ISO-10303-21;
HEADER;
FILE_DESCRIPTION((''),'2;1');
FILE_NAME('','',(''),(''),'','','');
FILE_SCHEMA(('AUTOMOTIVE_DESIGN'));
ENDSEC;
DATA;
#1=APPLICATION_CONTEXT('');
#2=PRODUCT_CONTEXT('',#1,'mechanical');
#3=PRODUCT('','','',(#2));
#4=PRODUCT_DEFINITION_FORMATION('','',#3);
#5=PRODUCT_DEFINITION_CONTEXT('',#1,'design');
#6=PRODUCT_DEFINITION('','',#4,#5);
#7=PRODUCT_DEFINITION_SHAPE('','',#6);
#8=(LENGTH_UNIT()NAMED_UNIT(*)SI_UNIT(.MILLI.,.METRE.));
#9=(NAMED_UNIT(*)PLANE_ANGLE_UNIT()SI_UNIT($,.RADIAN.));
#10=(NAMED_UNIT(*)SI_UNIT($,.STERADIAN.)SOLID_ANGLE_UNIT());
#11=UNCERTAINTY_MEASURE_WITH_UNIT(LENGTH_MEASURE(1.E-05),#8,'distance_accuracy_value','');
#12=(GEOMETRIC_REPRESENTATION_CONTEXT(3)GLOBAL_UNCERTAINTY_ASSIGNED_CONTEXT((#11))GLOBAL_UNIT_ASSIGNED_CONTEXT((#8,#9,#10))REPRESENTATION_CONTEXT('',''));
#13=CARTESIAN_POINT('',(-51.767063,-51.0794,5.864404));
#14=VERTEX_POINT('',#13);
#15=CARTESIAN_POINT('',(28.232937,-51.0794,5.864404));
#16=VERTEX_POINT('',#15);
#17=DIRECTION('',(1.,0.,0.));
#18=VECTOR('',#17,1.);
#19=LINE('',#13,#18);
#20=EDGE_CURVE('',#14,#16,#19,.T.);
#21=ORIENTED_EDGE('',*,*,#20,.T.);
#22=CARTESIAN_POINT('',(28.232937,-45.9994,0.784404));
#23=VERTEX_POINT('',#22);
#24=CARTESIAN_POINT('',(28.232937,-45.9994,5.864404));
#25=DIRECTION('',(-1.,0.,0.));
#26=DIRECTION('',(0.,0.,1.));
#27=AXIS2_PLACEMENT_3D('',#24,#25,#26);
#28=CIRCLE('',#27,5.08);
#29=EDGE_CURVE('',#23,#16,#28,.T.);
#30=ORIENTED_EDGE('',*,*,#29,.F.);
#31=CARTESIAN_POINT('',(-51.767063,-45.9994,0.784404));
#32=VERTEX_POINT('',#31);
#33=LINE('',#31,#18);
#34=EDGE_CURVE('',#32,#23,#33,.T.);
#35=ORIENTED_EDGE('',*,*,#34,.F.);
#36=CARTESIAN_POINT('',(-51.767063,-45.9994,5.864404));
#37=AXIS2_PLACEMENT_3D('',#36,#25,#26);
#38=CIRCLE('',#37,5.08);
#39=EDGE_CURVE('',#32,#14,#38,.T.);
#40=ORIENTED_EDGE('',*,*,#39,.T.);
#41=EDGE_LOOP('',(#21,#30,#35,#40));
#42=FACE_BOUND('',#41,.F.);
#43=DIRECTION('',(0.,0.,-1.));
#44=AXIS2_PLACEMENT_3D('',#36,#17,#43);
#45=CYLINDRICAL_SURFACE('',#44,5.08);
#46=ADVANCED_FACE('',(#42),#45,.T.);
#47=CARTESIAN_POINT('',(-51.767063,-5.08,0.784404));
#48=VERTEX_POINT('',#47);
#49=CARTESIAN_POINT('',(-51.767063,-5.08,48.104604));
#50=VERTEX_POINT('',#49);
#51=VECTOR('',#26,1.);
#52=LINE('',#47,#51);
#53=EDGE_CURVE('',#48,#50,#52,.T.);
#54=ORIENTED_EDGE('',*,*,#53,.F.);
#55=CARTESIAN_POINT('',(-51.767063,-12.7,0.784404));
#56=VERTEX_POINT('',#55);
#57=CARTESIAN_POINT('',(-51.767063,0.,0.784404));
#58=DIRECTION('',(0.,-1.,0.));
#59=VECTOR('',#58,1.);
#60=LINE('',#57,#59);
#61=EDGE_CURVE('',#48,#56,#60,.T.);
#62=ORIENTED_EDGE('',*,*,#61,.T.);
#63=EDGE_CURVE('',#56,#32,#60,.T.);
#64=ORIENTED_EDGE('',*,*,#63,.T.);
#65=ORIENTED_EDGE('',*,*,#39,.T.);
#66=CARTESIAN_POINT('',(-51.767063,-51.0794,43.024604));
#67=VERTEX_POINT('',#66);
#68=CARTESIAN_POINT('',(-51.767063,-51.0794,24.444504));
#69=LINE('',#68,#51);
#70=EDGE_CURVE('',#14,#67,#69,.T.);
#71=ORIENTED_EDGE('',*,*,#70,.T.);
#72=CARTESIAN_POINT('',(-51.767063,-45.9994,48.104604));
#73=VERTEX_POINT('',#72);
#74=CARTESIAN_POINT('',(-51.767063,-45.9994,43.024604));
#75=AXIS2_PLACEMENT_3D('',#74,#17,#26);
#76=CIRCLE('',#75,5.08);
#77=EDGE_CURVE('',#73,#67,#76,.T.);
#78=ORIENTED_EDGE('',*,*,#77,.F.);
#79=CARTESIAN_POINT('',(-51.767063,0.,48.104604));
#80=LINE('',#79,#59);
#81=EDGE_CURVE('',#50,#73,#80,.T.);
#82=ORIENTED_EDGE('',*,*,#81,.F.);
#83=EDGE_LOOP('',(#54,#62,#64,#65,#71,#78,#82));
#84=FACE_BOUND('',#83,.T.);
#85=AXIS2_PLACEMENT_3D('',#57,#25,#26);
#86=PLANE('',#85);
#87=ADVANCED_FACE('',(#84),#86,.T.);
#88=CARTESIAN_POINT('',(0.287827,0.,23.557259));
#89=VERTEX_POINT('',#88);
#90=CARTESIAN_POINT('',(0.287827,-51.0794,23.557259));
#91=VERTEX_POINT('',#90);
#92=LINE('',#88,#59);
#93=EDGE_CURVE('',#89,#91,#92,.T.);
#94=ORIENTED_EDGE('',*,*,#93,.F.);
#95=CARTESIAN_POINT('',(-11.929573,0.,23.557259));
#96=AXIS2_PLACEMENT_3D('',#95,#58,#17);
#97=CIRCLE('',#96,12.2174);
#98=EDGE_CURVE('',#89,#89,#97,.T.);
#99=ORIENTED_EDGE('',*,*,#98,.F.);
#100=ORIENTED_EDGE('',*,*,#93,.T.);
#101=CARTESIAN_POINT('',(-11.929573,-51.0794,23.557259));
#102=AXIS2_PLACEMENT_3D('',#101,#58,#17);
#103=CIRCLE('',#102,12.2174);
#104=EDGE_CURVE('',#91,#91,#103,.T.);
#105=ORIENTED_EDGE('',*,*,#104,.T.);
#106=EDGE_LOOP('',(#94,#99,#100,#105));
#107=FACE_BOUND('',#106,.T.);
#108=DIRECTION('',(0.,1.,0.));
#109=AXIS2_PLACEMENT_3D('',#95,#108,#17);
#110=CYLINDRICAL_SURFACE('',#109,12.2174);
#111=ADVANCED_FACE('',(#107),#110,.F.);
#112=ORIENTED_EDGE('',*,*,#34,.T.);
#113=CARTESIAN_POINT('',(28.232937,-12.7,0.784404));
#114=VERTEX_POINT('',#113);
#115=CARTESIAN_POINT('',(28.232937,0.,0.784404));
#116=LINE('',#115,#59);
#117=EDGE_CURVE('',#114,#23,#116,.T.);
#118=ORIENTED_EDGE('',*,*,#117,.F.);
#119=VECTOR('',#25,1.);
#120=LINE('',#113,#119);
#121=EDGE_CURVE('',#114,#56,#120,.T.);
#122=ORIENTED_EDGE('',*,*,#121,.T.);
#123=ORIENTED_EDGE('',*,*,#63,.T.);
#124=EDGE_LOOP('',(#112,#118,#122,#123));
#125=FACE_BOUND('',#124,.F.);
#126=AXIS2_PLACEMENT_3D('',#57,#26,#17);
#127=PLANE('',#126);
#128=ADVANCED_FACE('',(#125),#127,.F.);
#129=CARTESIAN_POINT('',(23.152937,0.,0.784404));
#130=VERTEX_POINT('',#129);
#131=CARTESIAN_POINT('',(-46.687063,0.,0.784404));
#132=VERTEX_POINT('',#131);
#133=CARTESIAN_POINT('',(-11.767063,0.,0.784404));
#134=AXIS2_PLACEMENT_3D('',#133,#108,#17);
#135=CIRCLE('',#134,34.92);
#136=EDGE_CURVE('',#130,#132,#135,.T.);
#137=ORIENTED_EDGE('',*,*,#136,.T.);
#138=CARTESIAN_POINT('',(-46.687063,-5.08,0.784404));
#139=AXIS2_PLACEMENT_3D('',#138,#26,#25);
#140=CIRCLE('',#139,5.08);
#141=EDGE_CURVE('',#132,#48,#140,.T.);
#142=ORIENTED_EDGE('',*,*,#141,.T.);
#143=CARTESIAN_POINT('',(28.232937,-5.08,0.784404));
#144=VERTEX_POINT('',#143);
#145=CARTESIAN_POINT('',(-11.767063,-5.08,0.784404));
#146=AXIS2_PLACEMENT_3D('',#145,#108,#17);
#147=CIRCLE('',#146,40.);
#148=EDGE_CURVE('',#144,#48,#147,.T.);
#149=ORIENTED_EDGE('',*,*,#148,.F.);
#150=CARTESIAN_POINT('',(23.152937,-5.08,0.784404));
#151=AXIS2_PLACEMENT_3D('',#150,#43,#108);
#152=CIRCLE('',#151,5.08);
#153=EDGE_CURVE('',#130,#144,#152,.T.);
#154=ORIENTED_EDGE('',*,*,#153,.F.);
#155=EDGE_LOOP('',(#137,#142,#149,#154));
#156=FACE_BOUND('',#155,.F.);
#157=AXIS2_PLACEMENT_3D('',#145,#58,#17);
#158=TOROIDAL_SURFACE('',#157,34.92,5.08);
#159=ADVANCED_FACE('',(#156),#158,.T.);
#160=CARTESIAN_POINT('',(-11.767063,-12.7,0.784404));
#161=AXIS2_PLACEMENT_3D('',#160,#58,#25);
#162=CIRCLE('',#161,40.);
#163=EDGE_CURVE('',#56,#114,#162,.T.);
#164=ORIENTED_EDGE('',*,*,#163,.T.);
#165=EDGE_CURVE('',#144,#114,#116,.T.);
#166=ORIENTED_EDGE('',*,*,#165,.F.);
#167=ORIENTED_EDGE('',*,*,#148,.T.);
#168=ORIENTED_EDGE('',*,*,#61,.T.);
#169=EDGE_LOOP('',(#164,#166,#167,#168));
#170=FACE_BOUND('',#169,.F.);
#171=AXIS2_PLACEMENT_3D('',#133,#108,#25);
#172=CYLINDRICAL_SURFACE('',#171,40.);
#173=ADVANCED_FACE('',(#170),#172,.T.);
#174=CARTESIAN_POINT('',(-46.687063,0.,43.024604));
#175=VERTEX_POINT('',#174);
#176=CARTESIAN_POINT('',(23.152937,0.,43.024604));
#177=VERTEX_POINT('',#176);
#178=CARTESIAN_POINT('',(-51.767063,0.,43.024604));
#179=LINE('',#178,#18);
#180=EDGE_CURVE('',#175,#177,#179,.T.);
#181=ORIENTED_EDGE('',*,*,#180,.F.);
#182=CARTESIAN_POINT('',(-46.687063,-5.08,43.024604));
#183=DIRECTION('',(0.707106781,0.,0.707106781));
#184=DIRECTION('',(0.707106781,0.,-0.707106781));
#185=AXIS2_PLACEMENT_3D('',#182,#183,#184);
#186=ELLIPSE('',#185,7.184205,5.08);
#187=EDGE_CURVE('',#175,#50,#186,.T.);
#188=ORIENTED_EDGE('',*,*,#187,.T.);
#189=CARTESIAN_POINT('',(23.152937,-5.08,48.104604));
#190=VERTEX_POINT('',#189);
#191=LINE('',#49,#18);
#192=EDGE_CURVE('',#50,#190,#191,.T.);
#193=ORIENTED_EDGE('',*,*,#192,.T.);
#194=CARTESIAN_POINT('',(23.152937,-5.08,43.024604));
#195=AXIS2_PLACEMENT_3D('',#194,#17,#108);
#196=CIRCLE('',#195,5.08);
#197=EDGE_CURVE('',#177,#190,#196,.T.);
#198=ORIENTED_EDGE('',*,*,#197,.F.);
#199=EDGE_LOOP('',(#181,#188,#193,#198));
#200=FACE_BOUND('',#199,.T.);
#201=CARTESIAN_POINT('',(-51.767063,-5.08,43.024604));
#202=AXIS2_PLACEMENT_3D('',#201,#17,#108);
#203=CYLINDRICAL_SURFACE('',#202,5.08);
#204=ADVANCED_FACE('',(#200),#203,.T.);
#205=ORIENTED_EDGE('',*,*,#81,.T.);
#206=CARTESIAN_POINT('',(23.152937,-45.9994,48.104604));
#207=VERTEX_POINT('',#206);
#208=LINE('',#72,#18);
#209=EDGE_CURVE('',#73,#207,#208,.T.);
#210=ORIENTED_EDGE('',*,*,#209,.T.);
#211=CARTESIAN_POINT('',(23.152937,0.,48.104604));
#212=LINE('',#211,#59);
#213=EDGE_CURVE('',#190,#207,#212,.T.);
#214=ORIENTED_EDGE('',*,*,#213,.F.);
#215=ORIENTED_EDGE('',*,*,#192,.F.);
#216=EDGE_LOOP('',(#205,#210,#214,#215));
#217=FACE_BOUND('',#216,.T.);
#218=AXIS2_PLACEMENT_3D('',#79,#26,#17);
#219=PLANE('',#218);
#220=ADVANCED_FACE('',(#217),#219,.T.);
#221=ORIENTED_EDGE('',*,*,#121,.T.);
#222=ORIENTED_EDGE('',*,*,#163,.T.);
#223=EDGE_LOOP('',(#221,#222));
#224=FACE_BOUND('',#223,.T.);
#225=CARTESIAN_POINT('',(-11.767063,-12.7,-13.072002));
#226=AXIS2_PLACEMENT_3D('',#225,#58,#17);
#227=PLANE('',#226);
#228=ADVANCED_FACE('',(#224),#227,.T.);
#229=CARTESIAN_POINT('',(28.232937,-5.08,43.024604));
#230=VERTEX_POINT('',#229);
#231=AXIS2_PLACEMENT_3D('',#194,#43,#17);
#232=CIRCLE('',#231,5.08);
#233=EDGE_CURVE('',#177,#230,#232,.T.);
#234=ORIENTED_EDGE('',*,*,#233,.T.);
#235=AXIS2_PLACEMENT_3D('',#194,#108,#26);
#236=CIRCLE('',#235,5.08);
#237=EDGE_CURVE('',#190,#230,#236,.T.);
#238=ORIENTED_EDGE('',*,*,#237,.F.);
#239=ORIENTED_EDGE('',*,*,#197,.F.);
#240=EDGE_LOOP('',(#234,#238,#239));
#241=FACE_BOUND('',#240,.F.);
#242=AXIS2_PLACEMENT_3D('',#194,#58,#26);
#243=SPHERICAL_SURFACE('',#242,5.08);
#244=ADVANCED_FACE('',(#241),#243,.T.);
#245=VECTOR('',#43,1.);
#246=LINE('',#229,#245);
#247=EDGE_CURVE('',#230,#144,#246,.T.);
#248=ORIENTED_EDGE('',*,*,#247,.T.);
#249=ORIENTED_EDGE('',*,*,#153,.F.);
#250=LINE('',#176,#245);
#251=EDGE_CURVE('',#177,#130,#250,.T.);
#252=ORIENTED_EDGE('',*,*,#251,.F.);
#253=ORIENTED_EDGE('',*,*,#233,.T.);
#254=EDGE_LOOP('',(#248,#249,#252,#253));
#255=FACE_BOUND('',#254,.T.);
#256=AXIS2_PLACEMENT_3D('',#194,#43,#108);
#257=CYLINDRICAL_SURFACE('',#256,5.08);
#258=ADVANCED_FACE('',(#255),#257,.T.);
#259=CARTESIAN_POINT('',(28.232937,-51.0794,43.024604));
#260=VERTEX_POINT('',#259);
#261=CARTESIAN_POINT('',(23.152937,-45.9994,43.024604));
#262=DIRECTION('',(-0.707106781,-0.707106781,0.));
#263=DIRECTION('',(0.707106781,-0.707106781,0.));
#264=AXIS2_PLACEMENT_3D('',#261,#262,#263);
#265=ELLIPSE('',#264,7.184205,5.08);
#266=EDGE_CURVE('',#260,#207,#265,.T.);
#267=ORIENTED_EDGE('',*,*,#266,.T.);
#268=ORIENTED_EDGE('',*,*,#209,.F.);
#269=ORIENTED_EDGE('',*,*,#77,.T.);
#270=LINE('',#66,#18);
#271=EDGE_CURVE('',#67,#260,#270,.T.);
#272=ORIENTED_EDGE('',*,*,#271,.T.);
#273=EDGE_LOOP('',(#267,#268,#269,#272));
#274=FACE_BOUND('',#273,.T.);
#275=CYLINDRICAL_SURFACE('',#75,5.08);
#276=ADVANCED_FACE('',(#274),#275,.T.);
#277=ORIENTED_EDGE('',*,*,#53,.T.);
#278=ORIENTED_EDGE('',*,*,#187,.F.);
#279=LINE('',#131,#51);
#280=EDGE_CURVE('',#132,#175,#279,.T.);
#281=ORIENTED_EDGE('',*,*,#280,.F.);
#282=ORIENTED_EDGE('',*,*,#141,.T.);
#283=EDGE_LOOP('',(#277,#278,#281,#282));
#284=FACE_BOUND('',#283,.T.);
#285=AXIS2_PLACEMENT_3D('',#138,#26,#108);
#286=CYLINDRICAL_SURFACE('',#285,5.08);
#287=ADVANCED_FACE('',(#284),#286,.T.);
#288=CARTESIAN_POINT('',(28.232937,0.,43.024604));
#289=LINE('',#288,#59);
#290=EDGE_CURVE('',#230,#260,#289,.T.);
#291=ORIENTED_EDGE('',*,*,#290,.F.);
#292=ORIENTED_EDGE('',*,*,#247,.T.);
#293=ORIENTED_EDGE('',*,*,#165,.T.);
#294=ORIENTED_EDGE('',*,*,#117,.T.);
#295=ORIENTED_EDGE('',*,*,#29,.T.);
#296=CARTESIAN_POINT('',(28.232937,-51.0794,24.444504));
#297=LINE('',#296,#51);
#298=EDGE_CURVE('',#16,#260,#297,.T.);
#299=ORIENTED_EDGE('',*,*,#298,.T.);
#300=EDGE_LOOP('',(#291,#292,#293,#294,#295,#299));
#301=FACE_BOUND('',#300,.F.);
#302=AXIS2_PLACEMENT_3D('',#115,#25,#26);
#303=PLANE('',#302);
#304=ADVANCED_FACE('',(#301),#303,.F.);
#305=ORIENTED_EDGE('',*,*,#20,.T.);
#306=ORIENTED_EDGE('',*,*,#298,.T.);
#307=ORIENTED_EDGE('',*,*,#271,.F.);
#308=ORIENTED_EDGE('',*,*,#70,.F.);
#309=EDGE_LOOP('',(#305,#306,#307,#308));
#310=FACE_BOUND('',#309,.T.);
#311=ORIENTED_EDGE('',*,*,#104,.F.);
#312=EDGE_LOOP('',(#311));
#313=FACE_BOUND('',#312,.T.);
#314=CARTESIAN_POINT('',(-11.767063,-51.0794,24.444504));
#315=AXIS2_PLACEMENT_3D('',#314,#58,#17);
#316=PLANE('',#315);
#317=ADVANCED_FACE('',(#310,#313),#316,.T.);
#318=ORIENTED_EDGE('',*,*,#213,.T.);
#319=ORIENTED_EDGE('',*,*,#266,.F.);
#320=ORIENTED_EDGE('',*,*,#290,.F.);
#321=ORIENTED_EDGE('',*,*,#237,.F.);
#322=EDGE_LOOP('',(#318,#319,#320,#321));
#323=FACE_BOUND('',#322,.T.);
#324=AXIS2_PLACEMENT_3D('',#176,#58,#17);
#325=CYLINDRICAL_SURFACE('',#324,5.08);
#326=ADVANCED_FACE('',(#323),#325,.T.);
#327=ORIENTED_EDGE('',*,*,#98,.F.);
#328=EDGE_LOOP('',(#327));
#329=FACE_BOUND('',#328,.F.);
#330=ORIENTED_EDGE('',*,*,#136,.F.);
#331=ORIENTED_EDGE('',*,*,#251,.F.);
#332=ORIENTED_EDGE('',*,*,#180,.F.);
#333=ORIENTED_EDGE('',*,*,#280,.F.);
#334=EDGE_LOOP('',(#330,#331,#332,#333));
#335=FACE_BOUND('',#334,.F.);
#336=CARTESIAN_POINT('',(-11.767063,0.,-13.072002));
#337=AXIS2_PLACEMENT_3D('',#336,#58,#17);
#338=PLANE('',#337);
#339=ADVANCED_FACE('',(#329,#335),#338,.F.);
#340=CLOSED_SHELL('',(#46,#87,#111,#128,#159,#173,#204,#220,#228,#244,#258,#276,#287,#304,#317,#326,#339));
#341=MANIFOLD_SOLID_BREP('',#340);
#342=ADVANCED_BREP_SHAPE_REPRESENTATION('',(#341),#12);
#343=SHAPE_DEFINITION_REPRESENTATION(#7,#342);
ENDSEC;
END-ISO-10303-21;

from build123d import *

# Parameters (mm, degrees)
F0_W     = 80
F0_H     = 47.3202
F0_R     = 12.2174
F1_DEPTH = 51.0794
F2_DEPTH = 12.7
F3_R     = 5.08
F4_R     = 5.08


with BuildPart() as f1:
    # F0 (on Front) → F1 (new body)
    with BuildSketch(Plane.XZ):
        with Locations((-11.767063, 24.444504)):
            Rectangle(F0_W, F0_H)
        with Locations((-11.929573, 23.557259)):
            Circle(F0_R, mode=Mode.SUBTRACT)
    extrude(amount=F1_DEPTH)

    # F0 (on Front) → F2 (join)
    with BuildSketch(Plane.XZ):
        with BuildLine():
            Line((28.232937, 0.784404), (-51.767063, 0.784404))
            ThreePointArc((-51.767063, 0.784404), (-11.767063, -39.215596), (28.232937, 0.784404))
        make_face()
    extrude(amount=F2_DEPTH)

    # F3
    f3_edges = [f1.edges().sort_by_distance(p)[0] for p in [
        (28.232937, -25.5397, 48.104604),
        (-11.767063, -51.0794, 0.784404),
        (-11.767063, -51.0794, 48.104604),
    ]]
    fillet(f3_edges, radius=F3_R)

    # F4
    f4_edges = [f1.edges().sort_by_distance(p)[0] for p in [
        (-14.307063, 0, 48.104604),
    ]]
    fillet(f4_edges, radius=F4_R)


solid = f1.part
